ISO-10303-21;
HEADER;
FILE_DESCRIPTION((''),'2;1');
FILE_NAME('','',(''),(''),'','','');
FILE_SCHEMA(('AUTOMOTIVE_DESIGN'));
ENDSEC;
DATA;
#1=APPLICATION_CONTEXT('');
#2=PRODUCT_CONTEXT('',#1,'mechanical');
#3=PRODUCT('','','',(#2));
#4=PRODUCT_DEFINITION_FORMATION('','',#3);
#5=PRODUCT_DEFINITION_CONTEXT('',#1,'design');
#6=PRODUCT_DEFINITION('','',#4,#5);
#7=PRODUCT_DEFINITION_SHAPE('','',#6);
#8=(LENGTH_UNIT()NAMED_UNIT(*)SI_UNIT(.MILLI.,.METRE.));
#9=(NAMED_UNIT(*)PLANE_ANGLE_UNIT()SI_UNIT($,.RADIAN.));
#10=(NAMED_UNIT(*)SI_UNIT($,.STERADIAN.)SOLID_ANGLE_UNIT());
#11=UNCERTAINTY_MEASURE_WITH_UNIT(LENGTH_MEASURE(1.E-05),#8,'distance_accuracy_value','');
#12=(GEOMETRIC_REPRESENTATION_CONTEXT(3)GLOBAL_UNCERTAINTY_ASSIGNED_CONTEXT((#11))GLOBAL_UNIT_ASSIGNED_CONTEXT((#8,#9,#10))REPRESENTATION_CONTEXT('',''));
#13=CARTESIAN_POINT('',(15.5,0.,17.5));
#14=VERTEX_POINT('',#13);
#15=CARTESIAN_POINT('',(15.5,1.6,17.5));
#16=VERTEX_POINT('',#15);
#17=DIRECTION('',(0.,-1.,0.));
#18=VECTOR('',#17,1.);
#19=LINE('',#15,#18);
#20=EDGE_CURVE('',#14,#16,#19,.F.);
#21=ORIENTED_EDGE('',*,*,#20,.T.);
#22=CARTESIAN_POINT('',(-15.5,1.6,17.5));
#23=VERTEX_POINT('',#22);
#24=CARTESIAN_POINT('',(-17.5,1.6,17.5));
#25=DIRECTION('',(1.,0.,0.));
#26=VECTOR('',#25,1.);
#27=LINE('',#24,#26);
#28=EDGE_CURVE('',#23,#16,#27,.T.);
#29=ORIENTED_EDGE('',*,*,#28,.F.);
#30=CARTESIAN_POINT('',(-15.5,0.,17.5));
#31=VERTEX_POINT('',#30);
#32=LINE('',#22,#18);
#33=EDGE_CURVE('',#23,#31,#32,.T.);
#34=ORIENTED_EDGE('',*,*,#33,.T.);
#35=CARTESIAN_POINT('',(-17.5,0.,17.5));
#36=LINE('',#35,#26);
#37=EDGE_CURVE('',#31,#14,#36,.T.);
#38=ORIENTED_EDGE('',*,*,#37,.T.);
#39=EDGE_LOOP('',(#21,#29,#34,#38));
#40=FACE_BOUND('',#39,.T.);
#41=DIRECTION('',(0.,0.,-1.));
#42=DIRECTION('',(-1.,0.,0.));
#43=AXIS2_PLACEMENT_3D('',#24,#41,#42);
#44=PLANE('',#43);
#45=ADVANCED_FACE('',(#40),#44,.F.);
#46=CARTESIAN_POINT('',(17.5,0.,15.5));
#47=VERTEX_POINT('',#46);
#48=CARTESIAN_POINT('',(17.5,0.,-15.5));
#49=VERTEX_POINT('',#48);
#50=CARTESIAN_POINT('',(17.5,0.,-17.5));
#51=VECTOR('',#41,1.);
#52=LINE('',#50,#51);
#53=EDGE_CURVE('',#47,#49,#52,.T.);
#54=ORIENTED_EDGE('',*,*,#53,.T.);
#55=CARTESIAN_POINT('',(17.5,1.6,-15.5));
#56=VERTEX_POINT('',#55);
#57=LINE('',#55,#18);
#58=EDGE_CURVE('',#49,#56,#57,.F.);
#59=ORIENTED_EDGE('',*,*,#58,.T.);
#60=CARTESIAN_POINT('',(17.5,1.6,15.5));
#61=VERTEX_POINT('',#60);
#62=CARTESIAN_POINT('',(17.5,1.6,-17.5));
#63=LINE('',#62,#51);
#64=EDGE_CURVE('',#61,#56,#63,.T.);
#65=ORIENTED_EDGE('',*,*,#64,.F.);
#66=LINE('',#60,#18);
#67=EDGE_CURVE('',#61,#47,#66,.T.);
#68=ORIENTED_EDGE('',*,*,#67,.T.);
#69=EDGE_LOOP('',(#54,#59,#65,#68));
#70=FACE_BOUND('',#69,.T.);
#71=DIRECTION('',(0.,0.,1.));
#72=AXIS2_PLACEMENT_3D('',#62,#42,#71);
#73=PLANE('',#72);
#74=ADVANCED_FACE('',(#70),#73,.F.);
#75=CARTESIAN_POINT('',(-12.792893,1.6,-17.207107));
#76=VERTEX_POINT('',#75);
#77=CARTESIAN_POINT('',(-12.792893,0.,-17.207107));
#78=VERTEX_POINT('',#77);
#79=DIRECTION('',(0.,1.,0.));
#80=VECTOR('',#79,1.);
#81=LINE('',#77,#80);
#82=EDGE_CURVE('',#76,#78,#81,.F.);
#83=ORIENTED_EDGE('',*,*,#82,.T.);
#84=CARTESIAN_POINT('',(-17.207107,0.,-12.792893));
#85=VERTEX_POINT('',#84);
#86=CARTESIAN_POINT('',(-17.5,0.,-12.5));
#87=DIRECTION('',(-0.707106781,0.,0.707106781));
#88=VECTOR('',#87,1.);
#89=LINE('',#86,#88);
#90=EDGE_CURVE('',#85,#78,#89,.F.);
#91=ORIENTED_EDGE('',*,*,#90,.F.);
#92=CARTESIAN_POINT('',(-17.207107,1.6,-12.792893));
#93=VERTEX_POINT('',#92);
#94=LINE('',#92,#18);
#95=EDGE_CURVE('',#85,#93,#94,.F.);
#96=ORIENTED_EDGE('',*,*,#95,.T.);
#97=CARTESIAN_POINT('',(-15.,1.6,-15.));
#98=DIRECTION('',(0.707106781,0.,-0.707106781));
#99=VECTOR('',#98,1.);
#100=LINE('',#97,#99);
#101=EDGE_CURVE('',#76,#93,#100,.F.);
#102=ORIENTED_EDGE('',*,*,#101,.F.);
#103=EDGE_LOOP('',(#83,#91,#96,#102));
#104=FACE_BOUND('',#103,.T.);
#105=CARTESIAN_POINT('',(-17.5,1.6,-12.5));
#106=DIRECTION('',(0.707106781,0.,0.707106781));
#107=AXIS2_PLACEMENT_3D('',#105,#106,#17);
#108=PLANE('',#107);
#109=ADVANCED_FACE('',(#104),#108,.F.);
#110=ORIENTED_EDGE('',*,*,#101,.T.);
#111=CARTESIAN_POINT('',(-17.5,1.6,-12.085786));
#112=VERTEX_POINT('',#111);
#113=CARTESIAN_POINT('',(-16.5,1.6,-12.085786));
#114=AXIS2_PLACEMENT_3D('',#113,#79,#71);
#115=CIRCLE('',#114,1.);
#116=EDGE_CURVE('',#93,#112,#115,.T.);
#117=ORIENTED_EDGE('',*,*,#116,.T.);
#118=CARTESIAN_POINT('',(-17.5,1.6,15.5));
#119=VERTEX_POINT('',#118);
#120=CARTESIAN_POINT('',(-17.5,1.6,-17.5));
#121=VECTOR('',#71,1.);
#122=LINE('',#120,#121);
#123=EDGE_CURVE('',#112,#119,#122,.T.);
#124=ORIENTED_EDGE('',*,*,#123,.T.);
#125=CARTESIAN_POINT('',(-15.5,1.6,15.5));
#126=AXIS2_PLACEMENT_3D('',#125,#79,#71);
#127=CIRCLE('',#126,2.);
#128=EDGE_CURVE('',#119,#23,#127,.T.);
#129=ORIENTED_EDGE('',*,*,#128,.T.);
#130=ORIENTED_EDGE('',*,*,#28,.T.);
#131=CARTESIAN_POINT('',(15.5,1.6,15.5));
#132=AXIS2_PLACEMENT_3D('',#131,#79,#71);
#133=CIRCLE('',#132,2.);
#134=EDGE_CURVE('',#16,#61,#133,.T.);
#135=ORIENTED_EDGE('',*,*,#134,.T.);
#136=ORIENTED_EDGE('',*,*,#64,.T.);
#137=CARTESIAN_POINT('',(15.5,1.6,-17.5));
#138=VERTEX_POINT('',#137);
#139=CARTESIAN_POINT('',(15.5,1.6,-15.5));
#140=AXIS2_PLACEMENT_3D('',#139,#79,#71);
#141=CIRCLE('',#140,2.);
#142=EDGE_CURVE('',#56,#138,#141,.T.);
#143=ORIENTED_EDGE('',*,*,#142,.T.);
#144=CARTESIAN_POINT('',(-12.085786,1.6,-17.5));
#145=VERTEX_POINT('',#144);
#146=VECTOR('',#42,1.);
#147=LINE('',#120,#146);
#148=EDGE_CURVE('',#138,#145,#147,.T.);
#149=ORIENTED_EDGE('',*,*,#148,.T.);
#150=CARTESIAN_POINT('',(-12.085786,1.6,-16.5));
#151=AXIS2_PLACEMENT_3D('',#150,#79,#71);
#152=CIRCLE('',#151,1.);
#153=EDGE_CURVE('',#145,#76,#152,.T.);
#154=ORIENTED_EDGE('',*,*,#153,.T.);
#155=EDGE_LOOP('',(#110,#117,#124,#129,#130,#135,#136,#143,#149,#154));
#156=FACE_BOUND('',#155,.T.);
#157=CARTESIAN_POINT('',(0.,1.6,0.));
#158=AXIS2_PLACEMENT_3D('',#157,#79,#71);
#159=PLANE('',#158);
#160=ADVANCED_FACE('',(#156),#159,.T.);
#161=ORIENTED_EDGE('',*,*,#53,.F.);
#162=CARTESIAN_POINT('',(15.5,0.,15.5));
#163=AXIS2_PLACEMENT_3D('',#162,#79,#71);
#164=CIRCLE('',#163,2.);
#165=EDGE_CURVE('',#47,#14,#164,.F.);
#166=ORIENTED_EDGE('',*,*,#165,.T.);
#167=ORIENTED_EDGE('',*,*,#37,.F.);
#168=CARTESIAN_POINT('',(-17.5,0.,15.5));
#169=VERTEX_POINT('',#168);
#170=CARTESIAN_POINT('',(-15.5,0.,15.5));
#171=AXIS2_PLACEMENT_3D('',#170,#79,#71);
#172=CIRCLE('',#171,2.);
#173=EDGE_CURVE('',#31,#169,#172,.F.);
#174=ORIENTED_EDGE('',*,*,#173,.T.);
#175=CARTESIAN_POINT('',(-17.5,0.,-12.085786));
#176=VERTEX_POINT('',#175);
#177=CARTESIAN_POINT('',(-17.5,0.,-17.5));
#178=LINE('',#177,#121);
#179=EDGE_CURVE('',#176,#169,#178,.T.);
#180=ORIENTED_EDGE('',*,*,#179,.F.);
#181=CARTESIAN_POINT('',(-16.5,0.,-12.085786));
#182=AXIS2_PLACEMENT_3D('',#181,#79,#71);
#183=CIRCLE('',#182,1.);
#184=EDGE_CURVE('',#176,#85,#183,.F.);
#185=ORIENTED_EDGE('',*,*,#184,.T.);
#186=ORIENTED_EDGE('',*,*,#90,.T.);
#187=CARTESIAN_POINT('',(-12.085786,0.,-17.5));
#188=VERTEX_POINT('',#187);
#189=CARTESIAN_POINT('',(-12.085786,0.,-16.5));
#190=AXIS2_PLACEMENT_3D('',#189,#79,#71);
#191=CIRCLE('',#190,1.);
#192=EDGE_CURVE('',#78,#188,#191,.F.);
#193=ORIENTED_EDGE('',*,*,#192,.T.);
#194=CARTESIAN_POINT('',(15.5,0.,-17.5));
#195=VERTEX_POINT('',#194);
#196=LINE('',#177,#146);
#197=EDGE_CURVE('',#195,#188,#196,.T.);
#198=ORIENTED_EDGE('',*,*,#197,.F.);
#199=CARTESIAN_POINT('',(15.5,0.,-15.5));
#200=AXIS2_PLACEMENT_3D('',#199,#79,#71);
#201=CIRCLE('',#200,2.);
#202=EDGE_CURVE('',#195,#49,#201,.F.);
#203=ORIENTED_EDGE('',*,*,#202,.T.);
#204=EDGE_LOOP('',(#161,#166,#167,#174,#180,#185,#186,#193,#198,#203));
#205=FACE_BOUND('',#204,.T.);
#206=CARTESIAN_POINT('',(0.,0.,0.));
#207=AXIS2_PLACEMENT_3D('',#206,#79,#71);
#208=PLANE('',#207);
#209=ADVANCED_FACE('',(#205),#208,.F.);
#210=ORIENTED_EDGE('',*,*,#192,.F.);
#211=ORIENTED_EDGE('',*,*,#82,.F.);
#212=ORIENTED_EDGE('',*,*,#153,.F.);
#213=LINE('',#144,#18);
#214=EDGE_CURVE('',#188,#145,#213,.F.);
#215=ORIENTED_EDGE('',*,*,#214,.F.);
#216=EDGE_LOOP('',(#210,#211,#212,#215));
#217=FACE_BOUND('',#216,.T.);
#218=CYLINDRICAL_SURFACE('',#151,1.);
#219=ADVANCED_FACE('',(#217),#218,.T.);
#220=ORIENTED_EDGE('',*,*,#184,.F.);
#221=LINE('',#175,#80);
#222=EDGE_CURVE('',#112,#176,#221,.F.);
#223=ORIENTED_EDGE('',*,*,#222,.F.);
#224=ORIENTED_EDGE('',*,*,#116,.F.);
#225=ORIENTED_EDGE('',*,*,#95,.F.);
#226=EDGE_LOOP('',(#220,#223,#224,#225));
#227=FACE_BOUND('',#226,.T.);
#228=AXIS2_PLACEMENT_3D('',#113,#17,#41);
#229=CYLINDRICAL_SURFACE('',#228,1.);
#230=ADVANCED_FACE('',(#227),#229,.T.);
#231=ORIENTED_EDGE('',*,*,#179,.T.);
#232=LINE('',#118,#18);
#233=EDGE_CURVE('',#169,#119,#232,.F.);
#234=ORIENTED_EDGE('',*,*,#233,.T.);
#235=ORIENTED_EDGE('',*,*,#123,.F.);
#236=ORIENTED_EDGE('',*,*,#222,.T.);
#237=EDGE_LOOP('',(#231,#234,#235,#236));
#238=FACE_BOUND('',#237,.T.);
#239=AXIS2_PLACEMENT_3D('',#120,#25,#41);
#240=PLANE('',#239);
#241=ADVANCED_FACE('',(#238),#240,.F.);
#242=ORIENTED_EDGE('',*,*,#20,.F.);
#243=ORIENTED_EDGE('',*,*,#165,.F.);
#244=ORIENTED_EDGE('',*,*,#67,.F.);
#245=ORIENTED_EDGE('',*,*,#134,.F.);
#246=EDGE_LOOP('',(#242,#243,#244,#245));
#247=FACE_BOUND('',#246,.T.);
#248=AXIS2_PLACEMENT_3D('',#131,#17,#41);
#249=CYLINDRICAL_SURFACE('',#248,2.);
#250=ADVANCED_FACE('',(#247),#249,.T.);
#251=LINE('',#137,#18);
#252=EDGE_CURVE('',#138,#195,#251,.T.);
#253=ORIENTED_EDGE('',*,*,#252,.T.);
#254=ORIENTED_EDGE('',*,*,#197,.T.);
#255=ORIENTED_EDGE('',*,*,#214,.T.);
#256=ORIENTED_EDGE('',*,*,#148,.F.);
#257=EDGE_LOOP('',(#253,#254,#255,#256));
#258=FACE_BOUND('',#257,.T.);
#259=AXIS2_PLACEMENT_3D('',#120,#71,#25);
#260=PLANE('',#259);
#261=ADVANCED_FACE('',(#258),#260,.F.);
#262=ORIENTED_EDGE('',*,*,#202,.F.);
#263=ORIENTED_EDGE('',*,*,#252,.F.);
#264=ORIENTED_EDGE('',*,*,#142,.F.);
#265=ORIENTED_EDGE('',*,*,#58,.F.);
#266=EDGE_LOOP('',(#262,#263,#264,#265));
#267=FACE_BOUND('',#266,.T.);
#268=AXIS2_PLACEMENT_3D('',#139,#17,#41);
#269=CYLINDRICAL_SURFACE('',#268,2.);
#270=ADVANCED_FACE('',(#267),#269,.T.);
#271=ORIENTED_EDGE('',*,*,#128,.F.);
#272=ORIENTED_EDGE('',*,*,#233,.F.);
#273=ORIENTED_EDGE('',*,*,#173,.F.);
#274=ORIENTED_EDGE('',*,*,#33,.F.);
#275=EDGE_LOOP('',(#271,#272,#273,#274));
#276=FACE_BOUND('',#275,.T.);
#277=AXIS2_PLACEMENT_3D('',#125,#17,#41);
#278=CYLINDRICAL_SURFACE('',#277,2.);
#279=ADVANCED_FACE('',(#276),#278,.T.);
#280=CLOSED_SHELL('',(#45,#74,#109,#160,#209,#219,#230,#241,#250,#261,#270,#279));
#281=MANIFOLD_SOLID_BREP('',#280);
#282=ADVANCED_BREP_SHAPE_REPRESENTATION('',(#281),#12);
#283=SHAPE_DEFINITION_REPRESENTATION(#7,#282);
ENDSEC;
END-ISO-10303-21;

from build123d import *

# Parameters (mm, degrees)
SKETCH_1_W      = 35
SKETCH_1_H      = 35
EXTRUDE_1_DEPTH = 1.6
CHAMFER_1_SIZE  = 5
FILLET_1_R      = 1
FILLET_2_R      = 2


with BuildPart() as part:
    # 草图1 → 凸台-拉伸1 (new body)
    with BuildSketch(Plane(origin=(0, 0, 0), x_dir=(1, 0, 0), z_dir=(0, 1, 0))):
        Rectangle(SKETCH_1_W, SKETCH_1_H)
    extrude(amount=EXTRUDE_1_DEPTH)

    # 倒角1
    chamfer_1_edges = [part.edges().sort_by_distance(p)[0] for p in [
        (-17.5, 0.8, -17.5),
    ]]
    chamfer(chamfer_1_edges, length=CHAMFER_1_SIZE)

    # 圆角1
    fillet_1_edges = [part.edges().sort_by_distance(p)[0] for p in [
        (-17.5, 0.8, -12.5),
        (-12.5, 0.8, -17.5),
    ]]
    fillet(fillet_1_edges, radius=FILLET_1_R)

    # 圆角2
    fillet_2_edges = [part.edges().sort_by_distance(p)[0] for p in [
        (17.5, 0.8, 17.5),
        (-17.5, 0.8, 17.5),
        (17.5, 0.8, -17.5),
    ]]
    fillet(fillet_2_edges, radius=FILLET_2_R)


solid = part.part
